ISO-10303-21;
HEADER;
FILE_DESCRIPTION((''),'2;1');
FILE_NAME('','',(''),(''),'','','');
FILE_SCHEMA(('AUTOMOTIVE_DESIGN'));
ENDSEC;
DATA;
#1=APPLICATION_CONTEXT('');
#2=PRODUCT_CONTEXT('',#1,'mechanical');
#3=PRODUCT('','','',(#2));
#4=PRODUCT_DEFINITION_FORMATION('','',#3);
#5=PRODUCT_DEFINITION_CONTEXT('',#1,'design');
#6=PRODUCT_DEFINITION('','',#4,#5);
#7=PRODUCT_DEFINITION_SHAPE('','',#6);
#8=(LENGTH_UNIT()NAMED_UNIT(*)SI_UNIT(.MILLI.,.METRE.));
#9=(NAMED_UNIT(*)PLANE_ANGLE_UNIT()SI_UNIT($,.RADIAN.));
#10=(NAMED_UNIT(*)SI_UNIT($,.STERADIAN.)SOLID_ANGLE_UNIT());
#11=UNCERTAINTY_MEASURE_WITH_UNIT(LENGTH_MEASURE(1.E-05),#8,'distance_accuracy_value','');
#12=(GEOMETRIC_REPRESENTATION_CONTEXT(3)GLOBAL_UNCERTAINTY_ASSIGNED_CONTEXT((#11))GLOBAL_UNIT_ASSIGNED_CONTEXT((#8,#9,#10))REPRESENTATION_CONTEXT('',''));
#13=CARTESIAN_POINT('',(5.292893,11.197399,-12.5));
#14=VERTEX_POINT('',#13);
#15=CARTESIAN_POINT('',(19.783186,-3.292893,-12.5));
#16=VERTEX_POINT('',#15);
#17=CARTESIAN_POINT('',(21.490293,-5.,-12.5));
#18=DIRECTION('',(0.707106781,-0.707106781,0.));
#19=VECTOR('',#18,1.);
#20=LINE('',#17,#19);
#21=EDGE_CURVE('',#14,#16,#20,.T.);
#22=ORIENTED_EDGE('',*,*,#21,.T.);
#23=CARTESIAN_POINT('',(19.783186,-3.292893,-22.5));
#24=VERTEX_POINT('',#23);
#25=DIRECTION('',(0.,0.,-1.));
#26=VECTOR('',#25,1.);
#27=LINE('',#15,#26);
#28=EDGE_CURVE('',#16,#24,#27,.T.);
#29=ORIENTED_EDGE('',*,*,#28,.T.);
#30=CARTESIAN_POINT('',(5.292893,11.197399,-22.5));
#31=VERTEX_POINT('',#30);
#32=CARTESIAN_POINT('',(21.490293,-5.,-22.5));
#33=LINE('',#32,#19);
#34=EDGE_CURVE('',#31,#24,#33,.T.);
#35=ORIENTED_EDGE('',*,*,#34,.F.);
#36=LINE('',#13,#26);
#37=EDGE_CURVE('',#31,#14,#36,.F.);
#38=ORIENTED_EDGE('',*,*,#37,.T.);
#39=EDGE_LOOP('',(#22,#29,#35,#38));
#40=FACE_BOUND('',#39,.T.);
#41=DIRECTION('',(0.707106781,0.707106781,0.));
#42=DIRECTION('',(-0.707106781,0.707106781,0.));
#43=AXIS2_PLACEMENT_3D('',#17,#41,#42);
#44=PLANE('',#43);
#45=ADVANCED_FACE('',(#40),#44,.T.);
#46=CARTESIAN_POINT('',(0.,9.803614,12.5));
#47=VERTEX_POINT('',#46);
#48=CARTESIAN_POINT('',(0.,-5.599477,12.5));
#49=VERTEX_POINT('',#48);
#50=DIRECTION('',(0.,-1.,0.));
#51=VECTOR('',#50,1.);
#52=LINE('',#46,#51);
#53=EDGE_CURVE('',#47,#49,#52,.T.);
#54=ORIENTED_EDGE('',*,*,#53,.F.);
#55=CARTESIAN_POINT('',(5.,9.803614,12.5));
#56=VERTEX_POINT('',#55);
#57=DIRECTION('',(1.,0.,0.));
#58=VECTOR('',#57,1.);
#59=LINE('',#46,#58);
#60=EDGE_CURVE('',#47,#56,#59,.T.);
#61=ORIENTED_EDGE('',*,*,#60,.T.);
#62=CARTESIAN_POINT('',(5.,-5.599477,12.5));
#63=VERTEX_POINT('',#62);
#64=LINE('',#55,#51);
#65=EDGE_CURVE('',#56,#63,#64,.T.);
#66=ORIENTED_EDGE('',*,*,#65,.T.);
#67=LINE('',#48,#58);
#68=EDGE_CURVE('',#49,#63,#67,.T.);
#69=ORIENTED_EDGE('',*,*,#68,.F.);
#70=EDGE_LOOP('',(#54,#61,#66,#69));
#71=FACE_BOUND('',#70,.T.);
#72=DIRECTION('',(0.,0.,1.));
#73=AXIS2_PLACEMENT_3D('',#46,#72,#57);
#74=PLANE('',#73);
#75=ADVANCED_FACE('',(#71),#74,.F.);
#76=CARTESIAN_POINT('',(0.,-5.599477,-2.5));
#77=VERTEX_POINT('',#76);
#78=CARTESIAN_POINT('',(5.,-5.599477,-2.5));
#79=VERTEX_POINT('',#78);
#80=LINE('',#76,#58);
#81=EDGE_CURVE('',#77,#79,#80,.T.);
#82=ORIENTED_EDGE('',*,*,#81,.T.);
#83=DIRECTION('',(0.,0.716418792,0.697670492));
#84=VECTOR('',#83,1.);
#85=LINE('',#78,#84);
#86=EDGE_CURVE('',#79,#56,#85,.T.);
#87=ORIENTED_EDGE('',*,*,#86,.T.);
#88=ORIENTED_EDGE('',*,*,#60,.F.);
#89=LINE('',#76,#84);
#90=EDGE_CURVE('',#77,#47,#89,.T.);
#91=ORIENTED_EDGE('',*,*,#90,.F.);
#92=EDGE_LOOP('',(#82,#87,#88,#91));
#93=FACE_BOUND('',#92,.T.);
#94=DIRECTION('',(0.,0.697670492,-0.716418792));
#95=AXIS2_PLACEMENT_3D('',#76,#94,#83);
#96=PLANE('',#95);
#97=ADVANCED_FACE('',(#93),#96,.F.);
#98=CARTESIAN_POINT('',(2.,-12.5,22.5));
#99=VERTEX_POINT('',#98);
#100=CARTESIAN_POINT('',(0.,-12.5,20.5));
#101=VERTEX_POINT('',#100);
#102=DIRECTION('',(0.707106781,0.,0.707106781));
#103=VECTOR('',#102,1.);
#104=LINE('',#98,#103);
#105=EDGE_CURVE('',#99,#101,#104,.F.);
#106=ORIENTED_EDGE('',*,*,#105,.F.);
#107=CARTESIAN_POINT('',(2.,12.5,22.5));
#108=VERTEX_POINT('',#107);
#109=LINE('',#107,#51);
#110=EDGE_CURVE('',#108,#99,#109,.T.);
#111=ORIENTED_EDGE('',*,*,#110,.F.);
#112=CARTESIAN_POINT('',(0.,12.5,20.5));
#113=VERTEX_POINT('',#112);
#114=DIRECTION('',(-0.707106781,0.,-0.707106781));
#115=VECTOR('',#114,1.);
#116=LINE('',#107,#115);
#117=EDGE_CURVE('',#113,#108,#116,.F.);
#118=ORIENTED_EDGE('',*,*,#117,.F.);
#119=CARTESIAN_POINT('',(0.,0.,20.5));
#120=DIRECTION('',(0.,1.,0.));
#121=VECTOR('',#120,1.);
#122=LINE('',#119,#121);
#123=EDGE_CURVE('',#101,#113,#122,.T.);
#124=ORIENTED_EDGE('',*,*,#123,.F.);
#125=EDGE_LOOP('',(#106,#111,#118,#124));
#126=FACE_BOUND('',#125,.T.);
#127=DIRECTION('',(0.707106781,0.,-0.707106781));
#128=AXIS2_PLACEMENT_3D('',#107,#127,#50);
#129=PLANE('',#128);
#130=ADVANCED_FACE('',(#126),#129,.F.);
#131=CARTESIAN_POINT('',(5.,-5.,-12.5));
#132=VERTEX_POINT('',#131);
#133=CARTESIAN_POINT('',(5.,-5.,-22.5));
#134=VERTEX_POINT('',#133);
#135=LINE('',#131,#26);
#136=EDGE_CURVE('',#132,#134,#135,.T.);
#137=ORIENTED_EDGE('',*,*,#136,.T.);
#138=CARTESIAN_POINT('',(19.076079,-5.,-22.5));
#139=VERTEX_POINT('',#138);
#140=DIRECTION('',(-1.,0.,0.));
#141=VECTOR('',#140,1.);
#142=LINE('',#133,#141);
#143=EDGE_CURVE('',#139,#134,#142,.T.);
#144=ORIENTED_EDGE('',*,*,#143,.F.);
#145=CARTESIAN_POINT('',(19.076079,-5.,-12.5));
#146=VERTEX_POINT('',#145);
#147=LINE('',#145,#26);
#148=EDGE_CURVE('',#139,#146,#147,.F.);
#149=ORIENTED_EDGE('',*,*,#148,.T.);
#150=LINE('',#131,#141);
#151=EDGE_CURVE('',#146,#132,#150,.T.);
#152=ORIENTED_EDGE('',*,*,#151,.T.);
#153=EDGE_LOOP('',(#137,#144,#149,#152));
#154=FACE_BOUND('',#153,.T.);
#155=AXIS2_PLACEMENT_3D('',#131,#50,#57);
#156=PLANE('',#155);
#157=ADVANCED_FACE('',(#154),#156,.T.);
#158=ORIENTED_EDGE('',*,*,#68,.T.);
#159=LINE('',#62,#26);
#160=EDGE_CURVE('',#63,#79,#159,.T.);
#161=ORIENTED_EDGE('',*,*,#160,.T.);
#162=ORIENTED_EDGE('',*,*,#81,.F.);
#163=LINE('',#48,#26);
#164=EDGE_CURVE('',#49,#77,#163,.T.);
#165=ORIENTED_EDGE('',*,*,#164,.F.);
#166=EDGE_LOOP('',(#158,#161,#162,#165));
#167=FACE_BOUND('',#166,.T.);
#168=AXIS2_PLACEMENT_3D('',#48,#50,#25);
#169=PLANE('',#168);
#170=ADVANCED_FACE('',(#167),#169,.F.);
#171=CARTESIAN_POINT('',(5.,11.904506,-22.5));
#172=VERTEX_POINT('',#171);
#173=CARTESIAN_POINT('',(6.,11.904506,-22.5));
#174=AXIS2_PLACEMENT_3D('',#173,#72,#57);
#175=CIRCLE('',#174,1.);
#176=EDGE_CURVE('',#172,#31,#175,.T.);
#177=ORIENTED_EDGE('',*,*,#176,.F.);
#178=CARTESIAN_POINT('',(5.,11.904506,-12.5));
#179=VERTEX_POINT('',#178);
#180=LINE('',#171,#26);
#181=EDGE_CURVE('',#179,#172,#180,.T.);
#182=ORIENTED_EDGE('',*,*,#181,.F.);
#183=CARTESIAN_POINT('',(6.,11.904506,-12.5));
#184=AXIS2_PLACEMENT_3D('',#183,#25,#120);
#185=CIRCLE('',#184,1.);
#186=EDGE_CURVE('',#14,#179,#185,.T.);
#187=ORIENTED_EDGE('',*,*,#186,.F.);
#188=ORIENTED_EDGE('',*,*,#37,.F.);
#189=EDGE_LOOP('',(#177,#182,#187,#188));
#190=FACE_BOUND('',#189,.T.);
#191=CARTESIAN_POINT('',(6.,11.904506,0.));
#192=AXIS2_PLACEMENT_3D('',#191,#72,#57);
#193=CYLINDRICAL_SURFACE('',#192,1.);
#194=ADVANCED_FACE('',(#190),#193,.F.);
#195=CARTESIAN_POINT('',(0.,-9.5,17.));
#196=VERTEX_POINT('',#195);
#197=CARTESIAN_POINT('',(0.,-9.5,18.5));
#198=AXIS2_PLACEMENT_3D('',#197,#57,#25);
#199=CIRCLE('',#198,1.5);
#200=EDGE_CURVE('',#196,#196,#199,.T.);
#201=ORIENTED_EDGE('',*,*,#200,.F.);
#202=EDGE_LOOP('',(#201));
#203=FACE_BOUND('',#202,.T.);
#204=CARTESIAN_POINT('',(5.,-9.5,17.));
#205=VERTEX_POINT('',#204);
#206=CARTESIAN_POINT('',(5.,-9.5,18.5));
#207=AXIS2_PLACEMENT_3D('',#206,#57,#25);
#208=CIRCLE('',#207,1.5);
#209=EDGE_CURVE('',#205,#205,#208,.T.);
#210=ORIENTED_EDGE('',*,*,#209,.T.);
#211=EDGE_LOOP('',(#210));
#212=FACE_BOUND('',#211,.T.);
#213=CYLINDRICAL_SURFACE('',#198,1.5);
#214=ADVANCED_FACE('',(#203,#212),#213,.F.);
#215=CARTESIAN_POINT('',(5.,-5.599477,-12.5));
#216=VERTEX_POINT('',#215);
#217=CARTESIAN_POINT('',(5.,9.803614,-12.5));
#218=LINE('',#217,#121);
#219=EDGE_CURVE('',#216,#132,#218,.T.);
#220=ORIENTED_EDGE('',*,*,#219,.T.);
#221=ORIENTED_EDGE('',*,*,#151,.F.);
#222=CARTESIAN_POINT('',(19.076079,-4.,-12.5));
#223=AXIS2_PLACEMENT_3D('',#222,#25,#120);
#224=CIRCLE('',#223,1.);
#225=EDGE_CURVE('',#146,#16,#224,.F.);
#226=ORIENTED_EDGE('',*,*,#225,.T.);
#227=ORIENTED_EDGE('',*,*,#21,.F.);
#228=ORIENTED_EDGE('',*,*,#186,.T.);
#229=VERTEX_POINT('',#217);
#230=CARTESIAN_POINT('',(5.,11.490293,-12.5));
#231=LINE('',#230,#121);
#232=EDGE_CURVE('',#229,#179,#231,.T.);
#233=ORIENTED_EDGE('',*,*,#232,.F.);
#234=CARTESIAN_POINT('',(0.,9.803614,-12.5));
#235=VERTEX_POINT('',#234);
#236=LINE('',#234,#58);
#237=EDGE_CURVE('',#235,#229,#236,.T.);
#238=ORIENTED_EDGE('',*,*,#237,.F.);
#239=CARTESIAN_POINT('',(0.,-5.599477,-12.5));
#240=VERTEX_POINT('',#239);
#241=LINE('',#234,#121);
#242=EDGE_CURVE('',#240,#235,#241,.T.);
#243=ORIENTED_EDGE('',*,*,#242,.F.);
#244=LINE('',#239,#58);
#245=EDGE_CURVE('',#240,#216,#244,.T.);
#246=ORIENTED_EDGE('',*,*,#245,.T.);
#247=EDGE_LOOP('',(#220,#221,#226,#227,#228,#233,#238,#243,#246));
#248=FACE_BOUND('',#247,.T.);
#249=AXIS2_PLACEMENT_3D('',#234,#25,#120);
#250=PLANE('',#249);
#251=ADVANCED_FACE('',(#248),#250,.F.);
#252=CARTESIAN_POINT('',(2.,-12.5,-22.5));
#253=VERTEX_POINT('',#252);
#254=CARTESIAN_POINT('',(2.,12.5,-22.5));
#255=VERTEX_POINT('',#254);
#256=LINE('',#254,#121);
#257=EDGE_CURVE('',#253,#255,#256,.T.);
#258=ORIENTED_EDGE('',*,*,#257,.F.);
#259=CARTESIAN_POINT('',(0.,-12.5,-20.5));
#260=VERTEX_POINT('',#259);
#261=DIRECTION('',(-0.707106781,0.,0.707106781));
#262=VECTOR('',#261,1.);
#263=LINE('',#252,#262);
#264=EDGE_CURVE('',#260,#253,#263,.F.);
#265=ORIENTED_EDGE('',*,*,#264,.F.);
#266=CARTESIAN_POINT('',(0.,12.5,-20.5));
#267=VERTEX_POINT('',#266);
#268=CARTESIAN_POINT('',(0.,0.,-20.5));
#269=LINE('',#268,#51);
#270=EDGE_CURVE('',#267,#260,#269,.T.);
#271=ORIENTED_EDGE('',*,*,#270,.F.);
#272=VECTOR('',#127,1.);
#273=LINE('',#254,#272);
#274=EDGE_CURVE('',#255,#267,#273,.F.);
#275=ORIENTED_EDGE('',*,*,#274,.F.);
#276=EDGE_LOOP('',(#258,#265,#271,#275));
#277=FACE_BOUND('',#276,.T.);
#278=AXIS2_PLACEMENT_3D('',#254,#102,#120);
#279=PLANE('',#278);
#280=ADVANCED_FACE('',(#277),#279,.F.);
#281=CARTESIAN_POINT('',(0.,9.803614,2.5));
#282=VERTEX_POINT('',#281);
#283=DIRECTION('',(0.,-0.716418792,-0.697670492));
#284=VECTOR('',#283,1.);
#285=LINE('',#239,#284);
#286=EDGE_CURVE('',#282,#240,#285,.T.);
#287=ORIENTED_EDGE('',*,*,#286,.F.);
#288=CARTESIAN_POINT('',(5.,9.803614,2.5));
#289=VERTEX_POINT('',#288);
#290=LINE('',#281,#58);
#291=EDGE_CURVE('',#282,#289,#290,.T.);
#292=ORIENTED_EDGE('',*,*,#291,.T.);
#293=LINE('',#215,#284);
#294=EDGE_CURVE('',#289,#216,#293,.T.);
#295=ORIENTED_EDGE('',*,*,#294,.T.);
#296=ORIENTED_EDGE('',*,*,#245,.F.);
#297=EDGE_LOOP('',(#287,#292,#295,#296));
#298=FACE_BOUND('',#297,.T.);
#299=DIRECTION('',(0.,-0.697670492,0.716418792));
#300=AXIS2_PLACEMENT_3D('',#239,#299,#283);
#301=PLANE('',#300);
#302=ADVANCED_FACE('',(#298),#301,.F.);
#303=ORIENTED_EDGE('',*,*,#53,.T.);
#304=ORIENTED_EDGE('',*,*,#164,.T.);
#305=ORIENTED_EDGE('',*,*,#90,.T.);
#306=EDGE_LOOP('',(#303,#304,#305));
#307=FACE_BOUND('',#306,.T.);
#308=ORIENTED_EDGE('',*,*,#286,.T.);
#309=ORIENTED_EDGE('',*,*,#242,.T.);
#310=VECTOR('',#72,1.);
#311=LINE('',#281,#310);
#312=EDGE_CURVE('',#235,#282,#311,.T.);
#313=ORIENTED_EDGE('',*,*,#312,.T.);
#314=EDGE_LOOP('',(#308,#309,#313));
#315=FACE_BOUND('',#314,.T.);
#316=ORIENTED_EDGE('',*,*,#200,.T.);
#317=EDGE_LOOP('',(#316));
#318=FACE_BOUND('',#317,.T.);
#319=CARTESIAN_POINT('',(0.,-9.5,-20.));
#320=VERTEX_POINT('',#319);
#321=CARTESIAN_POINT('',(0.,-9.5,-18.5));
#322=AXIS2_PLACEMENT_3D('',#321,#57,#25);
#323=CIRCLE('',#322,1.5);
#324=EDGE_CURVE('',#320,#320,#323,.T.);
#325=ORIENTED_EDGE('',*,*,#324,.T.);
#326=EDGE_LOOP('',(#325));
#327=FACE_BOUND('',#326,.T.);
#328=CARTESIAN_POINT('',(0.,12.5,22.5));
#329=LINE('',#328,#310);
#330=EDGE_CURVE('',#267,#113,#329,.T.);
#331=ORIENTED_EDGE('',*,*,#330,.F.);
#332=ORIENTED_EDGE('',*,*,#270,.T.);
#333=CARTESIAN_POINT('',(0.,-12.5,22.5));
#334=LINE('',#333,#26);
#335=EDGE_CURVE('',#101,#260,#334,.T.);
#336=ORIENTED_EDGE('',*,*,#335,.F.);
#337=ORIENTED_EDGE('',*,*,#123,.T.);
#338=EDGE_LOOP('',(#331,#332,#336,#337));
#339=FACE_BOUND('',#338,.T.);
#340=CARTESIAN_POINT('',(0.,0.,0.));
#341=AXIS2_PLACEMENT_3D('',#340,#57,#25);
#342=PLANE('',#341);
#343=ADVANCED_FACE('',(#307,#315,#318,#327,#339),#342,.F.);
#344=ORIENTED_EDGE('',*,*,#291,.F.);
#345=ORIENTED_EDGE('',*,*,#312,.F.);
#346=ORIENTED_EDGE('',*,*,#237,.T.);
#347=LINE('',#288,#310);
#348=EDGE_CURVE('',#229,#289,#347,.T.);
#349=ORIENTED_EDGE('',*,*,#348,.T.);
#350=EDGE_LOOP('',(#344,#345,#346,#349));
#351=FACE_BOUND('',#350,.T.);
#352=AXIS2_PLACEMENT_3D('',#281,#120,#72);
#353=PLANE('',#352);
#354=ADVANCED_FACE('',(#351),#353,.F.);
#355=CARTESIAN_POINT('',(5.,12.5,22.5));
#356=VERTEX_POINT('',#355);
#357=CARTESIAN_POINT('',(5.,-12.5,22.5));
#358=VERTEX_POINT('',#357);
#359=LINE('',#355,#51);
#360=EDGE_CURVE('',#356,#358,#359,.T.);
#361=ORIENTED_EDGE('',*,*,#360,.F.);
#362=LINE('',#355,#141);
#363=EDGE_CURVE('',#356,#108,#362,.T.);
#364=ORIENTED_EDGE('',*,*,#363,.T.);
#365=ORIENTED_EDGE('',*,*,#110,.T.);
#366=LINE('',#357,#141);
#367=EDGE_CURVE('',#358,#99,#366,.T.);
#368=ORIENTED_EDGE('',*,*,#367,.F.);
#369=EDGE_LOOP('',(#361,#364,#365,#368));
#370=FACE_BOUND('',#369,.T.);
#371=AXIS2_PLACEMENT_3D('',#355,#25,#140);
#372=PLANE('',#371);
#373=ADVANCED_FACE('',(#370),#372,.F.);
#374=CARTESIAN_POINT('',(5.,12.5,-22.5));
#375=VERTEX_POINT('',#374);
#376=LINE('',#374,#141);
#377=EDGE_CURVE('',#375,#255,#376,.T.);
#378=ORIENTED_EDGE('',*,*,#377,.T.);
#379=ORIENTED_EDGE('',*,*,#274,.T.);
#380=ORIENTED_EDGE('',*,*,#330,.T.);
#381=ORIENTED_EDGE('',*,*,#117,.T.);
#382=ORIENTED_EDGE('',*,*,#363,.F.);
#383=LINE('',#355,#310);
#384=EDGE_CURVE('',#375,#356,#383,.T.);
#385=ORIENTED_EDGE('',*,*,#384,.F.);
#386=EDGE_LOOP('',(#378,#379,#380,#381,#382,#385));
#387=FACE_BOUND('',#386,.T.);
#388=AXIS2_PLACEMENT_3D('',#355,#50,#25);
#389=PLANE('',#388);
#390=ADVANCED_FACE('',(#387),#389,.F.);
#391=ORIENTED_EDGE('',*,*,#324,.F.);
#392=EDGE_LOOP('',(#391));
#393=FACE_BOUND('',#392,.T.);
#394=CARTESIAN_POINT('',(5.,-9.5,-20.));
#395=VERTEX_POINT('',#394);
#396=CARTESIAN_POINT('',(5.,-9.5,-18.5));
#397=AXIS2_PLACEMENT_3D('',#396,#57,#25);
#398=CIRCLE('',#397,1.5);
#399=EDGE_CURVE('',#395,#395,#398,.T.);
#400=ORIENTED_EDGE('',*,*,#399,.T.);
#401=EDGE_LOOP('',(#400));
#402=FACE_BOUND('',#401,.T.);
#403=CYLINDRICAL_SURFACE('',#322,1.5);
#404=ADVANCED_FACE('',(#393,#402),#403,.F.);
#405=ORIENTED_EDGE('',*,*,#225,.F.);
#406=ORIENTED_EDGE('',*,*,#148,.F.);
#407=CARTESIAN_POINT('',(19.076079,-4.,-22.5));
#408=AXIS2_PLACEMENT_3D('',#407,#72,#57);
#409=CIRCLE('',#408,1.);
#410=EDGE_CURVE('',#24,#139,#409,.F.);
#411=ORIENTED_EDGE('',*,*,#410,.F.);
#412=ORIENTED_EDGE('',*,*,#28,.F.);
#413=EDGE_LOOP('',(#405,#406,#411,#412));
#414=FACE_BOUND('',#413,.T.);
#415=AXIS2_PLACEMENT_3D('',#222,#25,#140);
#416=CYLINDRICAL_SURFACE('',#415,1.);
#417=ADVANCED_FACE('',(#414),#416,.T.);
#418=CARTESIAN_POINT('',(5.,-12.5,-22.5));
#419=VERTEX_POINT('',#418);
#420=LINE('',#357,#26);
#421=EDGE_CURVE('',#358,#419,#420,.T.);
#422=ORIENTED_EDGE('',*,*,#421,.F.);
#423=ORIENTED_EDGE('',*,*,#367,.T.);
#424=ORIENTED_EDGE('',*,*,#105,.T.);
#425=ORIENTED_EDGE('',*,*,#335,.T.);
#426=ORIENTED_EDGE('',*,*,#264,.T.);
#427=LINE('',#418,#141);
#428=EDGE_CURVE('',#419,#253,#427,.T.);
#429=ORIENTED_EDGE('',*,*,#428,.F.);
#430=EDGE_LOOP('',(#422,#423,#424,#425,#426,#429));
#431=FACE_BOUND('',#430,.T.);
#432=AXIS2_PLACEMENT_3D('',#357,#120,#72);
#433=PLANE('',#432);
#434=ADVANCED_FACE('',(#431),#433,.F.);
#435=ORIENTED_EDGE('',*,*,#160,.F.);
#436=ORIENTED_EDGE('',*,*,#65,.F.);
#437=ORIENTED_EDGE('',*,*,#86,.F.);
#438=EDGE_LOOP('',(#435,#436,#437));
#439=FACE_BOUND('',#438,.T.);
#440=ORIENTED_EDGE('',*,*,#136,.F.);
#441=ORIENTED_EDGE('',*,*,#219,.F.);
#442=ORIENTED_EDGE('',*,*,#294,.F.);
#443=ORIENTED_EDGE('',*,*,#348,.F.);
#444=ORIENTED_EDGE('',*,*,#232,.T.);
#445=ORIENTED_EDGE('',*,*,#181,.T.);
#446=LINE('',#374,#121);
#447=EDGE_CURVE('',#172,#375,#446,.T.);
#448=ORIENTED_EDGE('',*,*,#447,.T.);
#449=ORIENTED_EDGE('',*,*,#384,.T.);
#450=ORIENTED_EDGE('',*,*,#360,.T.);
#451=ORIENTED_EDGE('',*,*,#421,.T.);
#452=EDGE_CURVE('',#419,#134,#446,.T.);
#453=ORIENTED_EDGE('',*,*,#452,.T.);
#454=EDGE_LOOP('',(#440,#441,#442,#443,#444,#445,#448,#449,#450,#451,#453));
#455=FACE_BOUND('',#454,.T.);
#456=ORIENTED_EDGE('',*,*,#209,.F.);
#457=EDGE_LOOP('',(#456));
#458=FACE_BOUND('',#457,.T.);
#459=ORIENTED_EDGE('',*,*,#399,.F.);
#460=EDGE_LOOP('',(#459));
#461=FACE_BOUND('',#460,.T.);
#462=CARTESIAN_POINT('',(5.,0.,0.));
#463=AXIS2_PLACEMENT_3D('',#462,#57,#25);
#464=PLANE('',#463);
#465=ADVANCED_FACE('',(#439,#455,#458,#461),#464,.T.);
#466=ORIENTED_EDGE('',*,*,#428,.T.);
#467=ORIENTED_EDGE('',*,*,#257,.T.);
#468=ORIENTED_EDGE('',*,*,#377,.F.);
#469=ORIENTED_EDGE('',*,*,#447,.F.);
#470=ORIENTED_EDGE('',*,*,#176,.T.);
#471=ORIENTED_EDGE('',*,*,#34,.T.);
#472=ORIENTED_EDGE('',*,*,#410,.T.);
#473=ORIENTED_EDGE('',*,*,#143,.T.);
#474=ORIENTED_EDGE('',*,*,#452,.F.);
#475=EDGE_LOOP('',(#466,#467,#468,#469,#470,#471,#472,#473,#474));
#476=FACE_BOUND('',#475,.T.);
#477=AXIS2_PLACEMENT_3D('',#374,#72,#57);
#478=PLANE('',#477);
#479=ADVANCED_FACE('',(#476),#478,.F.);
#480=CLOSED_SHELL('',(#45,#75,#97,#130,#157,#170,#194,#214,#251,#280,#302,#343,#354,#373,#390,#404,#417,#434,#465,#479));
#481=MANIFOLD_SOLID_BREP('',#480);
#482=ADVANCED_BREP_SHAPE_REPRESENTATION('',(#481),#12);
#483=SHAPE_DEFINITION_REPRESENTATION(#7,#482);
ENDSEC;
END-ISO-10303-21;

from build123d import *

# Parameters (mm, degrees)
SKETCH1_W           = 45
SKETCH1_H           = 25
BOSS_EXTRUDE1_DEPTH = 5
SKETCH2_R           = 1.5
CUT_EXTRUDE1_DEPTH  = 27.220221204
CUT_EXTRUDE2_DEPTH  = 27.220221204
CHAMFER2_SIZE       = 2
BOSS_EXTRUDE2_START = -10
BOSS_EXTRUDE2_DEPTH = 10
FILLET1_R           = 1


with BuildPart() as part:
    # Sketch1 → Boss-Extrude1 (new body)
    with BuildSketch(Plane(origin=(0, 0, 0), x_dir=(0, 0, -1), z_dir=(1, 0, 0))):
        Rectangle(SKETCH1_W, SKETCH1_H)
    extrude(amount=BOSS_EXTRUDE1_DEPTH)

    # Sketch2 → Cut-Extrude1 (cut, through all)
    with BuildSketch(Plane(origin=(5, 0, 0), x_dir=(0, 0, -1), z_dir=(1, 0, 0))):
        with Locations((-18.5, -9.5)):
            Circle(SKETCH2_R)
        with Locations((18.5, -9.5)):
            Circle(SKETCH2_R)
    extrude(amount=-CUT_EXTRUDE1_DEPTH, mode=Mode.SUBTRACT)

    # Sketch3 → Cut-Extrude2 (cut, through all)
    with BuildSketch(Plane(origin=(5, 0, 0), x_dir=(0, 0, -1), z_dir=(1, 0, 0))):
        Polygon((-12.5, 9.80361421), (-12.5, -5.599476508), (2.5, -5.599476508), align=None)
        Polygon((-2.5, 9.80361421), (12.5, 9.80361421), (12.5, -5.599476508), align=None)
    extrude(amount=-CUT_EXTRUDE2_DEPTH, mode=Mode.SUBTRACT)

    # Chamfer2
    chamfer2_edges = [part.edges().sort_by_distance(p)[0] for p in [
        (0, 0, 22.5),
        (0, 0, -22.5),
    ]]
    chamfer(chamfer2_edges, length=CHAMFER2_SIZE)

    # Sketch4 → Boss-Extrude2 (add)
    with BuildSketch(Plane(origin=(0, 0, -22.5), x_dir=(-1, 0, 0), z_dir=(0, 0, -1)).offset(BOSS_EXTRUDE2_START)):
        Polygon((-5, -5), (-21.490292585, -5), (-5, 11.490292585), align=None)
    extrude(amount=BOSS_EXTRUDE2_DEPTH)

    # Fillet1
    fillet1_edges = [part.edges().sort_by_distance(p)[0] for p in [
        (5, 11.490292585, -17.5),
        (21.490292585, -5, -17.5),
    ]]
    fillet(fillet1_edges, radius=FILLET1_R)


solid = part.part
